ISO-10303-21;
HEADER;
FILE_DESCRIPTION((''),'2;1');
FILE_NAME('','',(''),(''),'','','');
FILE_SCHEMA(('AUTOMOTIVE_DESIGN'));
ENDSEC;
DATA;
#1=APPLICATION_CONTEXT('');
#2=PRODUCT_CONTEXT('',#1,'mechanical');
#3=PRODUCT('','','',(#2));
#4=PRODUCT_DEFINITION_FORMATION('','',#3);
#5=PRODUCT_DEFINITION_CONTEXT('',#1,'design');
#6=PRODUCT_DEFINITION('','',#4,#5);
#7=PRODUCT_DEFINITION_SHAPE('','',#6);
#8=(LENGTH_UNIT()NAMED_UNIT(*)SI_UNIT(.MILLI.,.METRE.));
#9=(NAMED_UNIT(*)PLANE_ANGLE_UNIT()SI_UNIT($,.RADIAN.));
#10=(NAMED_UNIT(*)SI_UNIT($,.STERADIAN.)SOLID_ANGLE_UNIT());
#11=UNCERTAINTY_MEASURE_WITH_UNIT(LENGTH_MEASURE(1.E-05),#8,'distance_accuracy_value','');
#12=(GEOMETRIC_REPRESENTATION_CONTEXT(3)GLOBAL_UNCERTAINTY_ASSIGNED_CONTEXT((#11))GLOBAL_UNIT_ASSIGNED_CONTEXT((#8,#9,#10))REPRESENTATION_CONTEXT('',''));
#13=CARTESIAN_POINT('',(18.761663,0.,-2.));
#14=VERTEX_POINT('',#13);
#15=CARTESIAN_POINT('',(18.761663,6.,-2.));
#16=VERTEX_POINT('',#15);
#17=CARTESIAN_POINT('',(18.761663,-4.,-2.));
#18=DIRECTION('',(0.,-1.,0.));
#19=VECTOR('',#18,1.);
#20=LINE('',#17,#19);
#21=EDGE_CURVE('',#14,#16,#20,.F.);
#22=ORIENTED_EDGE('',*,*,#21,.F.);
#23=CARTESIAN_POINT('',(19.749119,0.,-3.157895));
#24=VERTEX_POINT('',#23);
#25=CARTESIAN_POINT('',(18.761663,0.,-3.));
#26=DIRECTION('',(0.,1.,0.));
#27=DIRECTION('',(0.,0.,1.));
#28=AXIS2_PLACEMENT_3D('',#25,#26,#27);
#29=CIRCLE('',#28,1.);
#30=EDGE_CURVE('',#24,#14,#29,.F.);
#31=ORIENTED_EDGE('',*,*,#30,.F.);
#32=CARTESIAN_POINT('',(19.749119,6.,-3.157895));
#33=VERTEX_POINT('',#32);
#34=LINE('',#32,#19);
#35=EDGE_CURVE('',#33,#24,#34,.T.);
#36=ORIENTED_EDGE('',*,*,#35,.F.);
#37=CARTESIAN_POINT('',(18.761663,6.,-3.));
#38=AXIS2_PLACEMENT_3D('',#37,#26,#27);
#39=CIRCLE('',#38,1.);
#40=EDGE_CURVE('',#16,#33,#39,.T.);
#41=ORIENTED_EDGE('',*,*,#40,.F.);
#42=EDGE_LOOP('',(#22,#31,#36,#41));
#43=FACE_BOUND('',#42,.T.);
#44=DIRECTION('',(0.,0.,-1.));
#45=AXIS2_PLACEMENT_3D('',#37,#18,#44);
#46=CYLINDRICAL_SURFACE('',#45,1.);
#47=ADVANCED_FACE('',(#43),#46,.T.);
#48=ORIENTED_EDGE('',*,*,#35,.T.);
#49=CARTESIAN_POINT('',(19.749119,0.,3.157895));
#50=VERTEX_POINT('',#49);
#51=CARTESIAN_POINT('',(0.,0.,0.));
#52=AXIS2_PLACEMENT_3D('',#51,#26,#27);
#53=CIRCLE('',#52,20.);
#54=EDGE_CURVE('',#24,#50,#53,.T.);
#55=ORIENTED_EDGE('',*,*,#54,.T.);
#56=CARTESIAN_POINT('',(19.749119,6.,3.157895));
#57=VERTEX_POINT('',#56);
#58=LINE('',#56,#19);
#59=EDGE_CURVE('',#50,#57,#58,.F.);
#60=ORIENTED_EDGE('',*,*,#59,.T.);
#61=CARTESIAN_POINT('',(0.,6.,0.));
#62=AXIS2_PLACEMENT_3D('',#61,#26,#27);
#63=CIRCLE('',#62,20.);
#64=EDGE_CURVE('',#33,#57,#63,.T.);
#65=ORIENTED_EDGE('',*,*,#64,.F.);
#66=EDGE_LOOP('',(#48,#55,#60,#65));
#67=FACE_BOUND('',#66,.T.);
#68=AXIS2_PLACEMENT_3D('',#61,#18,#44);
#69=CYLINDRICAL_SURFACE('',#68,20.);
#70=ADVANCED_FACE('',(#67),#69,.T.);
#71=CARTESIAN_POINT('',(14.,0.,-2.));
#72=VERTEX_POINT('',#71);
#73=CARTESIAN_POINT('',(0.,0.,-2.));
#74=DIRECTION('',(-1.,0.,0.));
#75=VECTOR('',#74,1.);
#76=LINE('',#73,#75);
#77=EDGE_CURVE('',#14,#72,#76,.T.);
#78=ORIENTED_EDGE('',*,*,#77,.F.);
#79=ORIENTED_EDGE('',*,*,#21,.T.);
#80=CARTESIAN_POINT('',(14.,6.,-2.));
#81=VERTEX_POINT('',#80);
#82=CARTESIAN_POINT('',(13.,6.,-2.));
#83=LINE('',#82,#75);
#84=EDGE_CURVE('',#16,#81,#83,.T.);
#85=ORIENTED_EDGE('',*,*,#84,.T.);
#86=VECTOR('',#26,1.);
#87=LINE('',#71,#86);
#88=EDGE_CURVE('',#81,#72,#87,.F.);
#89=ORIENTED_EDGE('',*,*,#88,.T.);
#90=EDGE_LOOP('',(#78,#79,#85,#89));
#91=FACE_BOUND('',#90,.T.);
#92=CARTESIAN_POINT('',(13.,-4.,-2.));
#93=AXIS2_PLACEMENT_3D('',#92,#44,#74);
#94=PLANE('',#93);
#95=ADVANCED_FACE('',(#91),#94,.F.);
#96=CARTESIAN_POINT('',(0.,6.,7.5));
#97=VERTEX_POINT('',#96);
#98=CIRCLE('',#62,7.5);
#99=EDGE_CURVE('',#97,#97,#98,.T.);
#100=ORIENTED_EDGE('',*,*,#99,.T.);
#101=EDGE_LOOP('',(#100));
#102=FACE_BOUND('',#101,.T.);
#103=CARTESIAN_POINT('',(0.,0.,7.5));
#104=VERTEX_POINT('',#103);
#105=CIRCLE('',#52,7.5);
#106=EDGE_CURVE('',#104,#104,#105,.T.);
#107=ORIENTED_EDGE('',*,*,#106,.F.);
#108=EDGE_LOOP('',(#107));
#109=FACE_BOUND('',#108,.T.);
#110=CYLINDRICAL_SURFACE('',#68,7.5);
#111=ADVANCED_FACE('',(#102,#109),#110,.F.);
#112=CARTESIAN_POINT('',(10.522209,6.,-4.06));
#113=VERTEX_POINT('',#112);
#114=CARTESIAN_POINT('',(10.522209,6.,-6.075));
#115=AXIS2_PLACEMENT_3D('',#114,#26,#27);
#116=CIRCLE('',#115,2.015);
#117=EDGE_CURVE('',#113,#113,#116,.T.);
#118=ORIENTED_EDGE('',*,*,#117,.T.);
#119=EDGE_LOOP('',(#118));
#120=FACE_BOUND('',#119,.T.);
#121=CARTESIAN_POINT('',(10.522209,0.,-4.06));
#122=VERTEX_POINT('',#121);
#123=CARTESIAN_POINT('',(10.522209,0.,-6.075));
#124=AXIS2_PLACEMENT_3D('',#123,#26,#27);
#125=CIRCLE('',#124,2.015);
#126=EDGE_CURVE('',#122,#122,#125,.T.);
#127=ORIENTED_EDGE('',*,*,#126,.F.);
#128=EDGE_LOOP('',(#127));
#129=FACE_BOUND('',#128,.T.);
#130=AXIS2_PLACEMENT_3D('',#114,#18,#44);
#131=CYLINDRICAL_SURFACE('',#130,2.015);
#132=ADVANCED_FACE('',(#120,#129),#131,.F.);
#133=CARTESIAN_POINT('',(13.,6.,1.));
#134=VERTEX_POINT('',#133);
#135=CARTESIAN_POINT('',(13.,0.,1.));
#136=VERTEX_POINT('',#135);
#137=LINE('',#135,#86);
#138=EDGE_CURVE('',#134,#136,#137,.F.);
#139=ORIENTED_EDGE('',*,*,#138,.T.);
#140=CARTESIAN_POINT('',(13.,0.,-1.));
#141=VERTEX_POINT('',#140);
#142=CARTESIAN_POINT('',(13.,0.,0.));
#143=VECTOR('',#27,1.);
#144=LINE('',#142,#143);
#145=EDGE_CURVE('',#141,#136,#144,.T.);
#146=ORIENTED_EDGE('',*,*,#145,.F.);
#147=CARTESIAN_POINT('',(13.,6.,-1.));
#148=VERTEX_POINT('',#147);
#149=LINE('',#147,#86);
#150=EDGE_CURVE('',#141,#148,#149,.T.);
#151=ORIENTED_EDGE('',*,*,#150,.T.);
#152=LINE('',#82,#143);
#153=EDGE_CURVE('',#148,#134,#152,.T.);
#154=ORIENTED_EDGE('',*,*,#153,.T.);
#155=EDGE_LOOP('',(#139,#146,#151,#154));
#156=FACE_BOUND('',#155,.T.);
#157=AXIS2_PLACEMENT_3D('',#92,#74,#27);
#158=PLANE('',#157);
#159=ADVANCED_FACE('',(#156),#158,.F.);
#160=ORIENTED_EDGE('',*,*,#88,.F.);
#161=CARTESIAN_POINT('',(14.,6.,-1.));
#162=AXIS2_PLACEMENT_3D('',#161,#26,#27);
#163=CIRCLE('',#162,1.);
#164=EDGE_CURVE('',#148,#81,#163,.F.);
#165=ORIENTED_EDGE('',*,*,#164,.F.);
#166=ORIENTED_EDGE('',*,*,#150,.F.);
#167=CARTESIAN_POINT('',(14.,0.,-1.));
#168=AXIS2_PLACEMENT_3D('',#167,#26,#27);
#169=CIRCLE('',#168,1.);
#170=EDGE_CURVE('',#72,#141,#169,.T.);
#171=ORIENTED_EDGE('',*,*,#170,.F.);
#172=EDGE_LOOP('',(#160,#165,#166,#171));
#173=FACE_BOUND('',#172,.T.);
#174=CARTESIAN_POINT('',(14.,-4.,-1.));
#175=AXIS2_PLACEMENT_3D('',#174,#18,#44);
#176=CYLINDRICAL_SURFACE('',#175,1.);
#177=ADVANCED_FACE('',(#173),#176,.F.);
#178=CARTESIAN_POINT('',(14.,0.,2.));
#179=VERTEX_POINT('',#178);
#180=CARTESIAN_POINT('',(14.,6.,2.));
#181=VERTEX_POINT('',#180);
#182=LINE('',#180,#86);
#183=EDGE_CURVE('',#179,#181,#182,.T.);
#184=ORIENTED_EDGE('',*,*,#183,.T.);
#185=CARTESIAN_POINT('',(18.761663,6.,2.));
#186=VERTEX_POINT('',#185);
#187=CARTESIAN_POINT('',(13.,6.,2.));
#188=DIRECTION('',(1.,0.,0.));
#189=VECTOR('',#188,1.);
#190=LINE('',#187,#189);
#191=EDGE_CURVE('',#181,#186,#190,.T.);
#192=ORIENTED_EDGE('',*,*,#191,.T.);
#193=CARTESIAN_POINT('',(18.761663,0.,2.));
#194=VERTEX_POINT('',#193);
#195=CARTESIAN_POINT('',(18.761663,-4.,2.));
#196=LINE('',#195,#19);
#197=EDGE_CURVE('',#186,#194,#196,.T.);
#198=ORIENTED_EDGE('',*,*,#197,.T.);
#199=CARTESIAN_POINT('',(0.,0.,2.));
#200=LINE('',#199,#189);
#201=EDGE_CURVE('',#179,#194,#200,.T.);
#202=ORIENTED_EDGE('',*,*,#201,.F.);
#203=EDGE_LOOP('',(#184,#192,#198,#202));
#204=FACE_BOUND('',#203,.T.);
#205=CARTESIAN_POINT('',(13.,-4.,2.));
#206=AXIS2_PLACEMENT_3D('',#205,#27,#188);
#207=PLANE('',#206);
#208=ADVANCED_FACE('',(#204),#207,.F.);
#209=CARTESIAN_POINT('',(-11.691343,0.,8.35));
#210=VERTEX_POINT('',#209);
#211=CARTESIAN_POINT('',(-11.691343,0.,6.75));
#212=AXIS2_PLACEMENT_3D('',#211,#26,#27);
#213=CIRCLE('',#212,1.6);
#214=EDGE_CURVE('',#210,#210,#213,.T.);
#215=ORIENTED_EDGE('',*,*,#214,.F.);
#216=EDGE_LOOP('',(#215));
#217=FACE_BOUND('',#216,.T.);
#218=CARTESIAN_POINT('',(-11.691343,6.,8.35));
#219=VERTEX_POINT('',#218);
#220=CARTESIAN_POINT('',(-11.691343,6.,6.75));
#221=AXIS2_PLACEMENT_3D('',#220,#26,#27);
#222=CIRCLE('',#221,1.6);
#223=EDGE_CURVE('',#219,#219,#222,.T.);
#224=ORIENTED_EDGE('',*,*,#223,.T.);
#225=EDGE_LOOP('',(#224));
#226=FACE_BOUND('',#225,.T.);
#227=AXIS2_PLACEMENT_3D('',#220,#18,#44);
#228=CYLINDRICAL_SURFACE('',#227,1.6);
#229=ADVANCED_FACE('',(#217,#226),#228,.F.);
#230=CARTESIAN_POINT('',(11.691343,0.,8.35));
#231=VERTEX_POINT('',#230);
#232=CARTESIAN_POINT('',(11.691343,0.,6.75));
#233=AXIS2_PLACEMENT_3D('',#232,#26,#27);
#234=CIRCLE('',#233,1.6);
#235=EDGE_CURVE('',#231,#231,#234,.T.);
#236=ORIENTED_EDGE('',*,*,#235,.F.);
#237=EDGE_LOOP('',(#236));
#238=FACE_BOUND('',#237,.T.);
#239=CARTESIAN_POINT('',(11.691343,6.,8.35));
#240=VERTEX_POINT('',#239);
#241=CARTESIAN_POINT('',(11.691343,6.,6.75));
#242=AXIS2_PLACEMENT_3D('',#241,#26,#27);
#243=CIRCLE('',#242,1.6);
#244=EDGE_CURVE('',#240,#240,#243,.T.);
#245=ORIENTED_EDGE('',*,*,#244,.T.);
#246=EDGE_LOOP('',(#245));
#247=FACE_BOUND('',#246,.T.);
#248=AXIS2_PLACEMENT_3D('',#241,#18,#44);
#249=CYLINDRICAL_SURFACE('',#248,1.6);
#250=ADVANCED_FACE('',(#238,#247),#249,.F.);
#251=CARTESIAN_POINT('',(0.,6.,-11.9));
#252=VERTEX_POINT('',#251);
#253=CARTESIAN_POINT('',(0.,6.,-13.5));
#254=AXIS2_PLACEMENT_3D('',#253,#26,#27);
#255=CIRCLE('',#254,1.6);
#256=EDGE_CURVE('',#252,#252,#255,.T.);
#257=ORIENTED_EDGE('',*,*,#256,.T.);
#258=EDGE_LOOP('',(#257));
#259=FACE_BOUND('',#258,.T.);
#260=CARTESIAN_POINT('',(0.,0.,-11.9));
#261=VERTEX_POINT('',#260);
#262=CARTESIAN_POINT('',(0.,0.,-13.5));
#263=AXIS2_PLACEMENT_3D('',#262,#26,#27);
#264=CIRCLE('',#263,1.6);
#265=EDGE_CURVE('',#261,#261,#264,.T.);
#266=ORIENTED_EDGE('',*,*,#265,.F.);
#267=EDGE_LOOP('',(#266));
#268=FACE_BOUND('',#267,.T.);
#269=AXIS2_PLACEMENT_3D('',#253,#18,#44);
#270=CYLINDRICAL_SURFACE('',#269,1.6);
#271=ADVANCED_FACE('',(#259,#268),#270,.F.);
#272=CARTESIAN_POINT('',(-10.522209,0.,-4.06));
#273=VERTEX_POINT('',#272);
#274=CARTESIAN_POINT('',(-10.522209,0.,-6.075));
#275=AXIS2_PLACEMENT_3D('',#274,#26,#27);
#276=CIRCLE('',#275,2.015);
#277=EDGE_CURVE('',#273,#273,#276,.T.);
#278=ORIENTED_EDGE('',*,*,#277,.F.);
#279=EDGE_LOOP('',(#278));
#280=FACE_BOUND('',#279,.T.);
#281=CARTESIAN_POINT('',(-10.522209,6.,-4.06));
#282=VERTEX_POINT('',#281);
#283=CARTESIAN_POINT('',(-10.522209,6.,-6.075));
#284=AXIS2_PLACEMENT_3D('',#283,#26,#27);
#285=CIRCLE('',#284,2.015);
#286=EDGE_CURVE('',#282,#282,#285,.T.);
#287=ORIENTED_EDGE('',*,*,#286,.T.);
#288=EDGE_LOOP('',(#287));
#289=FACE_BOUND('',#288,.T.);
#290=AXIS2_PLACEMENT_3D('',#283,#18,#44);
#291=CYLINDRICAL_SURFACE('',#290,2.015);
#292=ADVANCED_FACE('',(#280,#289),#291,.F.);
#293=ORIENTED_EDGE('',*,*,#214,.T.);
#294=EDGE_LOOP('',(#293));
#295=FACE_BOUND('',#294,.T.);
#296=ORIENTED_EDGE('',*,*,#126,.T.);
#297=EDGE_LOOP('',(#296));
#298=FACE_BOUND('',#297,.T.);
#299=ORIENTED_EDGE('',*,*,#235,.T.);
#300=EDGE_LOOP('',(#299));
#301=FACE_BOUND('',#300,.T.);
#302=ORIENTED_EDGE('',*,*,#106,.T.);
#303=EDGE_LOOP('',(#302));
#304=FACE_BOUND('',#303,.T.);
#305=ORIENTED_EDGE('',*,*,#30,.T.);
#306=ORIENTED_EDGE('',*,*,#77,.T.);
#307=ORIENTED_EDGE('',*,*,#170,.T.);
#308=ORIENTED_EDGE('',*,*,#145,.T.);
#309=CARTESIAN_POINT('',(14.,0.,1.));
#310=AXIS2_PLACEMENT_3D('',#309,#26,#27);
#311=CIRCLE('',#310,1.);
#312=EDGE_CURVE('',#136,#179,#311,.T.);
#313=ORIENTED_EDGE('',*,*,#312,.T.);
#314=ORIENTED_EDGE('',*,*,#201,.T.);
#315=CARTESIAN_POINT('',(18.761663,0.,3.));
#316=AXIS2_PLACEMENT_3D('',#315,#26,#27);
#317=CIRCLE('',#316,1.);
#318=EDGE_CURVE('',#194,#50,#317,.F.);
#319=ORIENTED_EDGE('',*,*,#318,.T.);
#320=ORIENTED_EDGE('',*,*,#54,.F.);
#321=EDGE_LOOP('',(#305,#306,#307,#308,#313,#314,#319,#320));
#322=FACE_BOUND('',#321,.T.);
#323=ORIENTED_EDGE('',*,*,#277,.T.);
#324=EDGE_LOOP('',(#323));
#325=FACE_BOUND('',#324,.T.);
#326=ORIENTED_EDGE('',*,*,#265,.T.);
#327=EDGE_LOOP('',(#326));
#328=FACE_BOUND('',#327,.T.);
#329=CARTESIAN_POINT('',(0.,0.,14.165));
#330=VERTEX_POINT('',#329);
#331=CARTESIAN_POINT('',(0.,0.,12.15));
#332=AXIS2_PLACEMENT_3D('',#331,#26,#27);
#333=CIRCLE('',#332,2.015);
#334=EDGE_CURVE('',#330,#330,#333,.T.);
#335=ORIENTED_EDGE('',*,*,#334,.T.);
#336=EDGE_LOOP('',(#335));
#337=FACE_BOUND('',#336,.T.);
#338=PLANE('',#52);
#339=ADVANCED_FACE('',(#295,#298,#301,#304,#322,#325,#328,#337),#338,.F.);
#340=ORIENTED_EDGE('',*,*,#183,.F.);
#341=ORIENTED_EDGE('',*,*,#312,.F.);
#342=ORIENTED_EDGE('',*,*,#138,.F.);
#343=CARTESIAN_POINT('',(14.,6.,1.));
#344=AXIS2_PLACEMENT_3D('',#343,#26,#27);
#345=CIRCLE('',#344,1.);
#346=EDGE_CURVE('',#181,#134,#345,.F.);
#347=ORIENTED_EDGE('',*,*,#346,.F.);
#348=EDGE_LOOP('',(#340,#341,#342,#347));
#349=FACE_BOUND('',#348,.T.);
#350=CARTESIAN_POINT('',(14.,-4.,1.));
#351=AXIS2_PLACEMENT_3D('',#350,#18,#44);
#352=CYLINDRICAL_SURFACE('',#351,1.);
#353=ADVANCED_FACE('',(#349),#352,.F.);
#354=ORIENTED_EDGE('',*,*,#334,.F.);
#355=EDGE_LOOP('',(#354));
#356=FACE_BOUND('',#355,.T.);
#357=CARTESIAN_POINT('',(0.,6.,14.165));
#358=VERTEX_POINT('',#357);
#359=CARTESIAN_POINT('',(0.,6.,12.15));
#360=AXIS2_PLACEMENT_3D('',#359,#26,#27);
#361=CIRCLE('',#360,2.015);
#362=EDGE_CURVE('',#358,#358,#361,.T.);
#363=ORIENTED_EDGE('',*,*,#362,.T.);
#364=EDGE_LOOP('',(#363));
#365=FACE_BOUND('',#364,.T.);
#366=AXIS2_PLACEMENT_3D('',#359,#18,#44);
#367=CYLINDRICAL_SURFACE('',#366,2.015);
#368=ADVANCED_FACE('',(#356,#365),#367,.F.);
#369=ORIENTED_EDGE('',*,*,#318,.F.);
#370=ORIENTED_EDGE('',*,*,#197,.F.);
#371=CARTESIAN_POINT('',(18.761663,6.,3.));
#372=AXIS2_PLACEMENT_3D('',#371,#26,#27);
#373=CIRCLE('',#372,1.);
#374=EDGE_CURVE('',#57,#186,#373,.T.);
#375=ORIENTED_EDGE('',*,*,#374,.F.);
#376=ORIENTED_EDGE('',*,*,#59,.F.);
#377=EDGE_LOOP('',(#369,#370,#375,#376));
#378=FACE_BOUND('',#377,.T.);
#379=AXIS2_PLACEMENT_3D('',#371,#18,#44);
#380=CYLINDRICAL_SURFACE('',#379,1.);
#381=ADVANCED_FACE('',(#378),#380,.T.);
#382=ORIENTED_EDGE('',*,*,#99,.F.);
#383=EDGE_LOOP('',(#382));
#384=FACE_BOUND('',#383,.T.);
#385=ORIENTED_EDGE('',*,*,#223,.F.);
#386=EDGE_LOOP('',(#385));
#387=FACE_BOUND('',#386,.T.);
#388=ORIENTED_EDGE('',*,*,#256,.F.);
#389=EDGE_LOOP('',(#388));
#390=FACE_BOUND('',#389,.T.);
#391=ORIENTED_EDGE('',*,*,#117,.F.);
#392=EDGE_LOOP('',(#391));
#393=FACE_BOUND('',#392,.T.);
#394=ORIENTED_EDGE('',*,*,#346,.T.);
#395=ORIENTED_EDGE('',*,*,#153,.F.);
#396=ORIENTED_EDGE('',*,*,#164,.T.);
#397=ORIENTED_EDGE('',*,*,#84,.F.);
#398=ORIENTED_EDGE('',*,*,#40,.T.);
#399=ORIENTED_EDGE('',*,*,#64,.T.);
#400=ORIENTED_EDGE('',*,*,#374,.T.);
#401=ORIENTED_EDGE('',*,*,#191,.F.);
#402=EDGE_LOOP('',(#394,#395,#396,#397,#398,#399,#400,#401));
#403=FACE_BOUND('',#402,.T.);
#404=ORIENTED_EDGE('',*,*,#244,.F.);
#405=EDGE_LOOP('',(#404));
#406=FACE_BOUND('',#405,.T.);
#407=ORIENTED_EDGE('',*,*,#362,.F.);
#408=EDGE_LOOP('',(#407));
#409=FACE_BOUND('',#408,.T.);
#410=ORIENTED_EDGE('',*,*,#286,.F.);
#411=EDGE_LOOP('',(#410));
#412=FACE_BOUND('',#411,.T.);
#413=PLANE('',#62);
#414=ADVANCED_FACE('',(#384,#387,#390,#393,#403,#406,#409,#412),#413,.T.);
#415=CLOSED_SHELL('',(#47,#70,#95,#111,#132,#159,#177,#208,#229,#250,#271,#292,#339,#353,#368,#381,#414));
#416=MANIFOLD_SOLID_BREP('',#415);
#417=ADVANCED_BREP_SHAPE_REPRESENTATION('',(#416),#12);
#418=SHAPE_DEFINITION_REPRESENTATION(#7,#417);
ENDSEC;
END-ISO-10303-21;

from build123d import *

# Parameters (mm, degrees)
SKETCH_1_R          = 20
SKETCH_1_R_2        = 2.015
SKETCH_1_R_3        = 7.5
SKETCH_1_R_4        = 1.6
EXTRUDE_1_DEPTH     = 6
SKETCH_2_W          = 14.17824661
SKETCH_2_H          = 4
CUT_EXTRUDE_1_DEPTH = 10
FILLET_1_R          = 1


with BuildPart() as part:
    # 草图1 → 凸台-拉伸1 (new body)
    with BuildSketch(Plane(origin=(0, 0, 0), x_dir=(1, 0, 0), z_dir=(0, 1, 0))):
        with Locations(Location((0, 0, 0), (0, 0, 270))):
            Circle(SKETCH_1_R)
        with Locations(Location((0, -12.15, 0), (0, 0, 270))):
            Circle(SKETCH_1_R_2, mode=Mode.SUBTRACT)
        with Locations(Location((10.522208656, 6.075, 0), (0, 0, 270))):
            Circle(SKETCH_1_R_2, mode=Mode.SUBTRACT)
        with Locations(Location((-10.522208656, 6.075, 0), (0, 0, 270))):
            Circle(SKETCH_1_R_2, mode=Mode.SUBTRACT)
        with Locations(Location((0, 0, 0), (0, 0, 270))):
            Circle(SKETCH_1_R_3, mode=Mode.SUBTRACT)
        with Locations(Location((-11.691342951, -6.75, 0), (0, 0, 270))):
            Circle(SKETCH_1_R_4, mode=Mode.SUBTRACT)
        with Locations(Location((11.691342951, -6.75, 0), (0, 0, 270))):
            Circle(SKETCH_1_R_4, mode=Mode.SUBTRACT)
        with Locations(Location((0, 13.5, 0), (0, 0, 270))):
            Circle(SKETCH_1_R_4, mode=Mode.SUBTRACT)
    extrude(amount=EXTRUDE_1_DEPTH)

    # 草图2 → 切除-拉伸1 (cut)
    with BuildSketch(Plane(origin=(0, 6, 0), x_dir=(1, 0, 0), z_dir=(0, 1, 0))):
        with Locations((20.089123305, 0)):
            Rectangle(SKETCH_2_W, SKETCH_2_H)
    extrude(amount=-CUT_EXTRUDE_1_DEPTH, mode=Mode.SUBTRACT)

    # 圆角1
    fillet_1_edges = [part.edges().sort_by_distance(p)[0] for p in [
        (13, 3, 2),
        (19.899748742, 3, -2),
        (13, 3, -2),
        (19.899748742, 3, 2),
    ]]
    fillet(fillet_1_edges, radius=FILLET_1_R)


solid = part.part
